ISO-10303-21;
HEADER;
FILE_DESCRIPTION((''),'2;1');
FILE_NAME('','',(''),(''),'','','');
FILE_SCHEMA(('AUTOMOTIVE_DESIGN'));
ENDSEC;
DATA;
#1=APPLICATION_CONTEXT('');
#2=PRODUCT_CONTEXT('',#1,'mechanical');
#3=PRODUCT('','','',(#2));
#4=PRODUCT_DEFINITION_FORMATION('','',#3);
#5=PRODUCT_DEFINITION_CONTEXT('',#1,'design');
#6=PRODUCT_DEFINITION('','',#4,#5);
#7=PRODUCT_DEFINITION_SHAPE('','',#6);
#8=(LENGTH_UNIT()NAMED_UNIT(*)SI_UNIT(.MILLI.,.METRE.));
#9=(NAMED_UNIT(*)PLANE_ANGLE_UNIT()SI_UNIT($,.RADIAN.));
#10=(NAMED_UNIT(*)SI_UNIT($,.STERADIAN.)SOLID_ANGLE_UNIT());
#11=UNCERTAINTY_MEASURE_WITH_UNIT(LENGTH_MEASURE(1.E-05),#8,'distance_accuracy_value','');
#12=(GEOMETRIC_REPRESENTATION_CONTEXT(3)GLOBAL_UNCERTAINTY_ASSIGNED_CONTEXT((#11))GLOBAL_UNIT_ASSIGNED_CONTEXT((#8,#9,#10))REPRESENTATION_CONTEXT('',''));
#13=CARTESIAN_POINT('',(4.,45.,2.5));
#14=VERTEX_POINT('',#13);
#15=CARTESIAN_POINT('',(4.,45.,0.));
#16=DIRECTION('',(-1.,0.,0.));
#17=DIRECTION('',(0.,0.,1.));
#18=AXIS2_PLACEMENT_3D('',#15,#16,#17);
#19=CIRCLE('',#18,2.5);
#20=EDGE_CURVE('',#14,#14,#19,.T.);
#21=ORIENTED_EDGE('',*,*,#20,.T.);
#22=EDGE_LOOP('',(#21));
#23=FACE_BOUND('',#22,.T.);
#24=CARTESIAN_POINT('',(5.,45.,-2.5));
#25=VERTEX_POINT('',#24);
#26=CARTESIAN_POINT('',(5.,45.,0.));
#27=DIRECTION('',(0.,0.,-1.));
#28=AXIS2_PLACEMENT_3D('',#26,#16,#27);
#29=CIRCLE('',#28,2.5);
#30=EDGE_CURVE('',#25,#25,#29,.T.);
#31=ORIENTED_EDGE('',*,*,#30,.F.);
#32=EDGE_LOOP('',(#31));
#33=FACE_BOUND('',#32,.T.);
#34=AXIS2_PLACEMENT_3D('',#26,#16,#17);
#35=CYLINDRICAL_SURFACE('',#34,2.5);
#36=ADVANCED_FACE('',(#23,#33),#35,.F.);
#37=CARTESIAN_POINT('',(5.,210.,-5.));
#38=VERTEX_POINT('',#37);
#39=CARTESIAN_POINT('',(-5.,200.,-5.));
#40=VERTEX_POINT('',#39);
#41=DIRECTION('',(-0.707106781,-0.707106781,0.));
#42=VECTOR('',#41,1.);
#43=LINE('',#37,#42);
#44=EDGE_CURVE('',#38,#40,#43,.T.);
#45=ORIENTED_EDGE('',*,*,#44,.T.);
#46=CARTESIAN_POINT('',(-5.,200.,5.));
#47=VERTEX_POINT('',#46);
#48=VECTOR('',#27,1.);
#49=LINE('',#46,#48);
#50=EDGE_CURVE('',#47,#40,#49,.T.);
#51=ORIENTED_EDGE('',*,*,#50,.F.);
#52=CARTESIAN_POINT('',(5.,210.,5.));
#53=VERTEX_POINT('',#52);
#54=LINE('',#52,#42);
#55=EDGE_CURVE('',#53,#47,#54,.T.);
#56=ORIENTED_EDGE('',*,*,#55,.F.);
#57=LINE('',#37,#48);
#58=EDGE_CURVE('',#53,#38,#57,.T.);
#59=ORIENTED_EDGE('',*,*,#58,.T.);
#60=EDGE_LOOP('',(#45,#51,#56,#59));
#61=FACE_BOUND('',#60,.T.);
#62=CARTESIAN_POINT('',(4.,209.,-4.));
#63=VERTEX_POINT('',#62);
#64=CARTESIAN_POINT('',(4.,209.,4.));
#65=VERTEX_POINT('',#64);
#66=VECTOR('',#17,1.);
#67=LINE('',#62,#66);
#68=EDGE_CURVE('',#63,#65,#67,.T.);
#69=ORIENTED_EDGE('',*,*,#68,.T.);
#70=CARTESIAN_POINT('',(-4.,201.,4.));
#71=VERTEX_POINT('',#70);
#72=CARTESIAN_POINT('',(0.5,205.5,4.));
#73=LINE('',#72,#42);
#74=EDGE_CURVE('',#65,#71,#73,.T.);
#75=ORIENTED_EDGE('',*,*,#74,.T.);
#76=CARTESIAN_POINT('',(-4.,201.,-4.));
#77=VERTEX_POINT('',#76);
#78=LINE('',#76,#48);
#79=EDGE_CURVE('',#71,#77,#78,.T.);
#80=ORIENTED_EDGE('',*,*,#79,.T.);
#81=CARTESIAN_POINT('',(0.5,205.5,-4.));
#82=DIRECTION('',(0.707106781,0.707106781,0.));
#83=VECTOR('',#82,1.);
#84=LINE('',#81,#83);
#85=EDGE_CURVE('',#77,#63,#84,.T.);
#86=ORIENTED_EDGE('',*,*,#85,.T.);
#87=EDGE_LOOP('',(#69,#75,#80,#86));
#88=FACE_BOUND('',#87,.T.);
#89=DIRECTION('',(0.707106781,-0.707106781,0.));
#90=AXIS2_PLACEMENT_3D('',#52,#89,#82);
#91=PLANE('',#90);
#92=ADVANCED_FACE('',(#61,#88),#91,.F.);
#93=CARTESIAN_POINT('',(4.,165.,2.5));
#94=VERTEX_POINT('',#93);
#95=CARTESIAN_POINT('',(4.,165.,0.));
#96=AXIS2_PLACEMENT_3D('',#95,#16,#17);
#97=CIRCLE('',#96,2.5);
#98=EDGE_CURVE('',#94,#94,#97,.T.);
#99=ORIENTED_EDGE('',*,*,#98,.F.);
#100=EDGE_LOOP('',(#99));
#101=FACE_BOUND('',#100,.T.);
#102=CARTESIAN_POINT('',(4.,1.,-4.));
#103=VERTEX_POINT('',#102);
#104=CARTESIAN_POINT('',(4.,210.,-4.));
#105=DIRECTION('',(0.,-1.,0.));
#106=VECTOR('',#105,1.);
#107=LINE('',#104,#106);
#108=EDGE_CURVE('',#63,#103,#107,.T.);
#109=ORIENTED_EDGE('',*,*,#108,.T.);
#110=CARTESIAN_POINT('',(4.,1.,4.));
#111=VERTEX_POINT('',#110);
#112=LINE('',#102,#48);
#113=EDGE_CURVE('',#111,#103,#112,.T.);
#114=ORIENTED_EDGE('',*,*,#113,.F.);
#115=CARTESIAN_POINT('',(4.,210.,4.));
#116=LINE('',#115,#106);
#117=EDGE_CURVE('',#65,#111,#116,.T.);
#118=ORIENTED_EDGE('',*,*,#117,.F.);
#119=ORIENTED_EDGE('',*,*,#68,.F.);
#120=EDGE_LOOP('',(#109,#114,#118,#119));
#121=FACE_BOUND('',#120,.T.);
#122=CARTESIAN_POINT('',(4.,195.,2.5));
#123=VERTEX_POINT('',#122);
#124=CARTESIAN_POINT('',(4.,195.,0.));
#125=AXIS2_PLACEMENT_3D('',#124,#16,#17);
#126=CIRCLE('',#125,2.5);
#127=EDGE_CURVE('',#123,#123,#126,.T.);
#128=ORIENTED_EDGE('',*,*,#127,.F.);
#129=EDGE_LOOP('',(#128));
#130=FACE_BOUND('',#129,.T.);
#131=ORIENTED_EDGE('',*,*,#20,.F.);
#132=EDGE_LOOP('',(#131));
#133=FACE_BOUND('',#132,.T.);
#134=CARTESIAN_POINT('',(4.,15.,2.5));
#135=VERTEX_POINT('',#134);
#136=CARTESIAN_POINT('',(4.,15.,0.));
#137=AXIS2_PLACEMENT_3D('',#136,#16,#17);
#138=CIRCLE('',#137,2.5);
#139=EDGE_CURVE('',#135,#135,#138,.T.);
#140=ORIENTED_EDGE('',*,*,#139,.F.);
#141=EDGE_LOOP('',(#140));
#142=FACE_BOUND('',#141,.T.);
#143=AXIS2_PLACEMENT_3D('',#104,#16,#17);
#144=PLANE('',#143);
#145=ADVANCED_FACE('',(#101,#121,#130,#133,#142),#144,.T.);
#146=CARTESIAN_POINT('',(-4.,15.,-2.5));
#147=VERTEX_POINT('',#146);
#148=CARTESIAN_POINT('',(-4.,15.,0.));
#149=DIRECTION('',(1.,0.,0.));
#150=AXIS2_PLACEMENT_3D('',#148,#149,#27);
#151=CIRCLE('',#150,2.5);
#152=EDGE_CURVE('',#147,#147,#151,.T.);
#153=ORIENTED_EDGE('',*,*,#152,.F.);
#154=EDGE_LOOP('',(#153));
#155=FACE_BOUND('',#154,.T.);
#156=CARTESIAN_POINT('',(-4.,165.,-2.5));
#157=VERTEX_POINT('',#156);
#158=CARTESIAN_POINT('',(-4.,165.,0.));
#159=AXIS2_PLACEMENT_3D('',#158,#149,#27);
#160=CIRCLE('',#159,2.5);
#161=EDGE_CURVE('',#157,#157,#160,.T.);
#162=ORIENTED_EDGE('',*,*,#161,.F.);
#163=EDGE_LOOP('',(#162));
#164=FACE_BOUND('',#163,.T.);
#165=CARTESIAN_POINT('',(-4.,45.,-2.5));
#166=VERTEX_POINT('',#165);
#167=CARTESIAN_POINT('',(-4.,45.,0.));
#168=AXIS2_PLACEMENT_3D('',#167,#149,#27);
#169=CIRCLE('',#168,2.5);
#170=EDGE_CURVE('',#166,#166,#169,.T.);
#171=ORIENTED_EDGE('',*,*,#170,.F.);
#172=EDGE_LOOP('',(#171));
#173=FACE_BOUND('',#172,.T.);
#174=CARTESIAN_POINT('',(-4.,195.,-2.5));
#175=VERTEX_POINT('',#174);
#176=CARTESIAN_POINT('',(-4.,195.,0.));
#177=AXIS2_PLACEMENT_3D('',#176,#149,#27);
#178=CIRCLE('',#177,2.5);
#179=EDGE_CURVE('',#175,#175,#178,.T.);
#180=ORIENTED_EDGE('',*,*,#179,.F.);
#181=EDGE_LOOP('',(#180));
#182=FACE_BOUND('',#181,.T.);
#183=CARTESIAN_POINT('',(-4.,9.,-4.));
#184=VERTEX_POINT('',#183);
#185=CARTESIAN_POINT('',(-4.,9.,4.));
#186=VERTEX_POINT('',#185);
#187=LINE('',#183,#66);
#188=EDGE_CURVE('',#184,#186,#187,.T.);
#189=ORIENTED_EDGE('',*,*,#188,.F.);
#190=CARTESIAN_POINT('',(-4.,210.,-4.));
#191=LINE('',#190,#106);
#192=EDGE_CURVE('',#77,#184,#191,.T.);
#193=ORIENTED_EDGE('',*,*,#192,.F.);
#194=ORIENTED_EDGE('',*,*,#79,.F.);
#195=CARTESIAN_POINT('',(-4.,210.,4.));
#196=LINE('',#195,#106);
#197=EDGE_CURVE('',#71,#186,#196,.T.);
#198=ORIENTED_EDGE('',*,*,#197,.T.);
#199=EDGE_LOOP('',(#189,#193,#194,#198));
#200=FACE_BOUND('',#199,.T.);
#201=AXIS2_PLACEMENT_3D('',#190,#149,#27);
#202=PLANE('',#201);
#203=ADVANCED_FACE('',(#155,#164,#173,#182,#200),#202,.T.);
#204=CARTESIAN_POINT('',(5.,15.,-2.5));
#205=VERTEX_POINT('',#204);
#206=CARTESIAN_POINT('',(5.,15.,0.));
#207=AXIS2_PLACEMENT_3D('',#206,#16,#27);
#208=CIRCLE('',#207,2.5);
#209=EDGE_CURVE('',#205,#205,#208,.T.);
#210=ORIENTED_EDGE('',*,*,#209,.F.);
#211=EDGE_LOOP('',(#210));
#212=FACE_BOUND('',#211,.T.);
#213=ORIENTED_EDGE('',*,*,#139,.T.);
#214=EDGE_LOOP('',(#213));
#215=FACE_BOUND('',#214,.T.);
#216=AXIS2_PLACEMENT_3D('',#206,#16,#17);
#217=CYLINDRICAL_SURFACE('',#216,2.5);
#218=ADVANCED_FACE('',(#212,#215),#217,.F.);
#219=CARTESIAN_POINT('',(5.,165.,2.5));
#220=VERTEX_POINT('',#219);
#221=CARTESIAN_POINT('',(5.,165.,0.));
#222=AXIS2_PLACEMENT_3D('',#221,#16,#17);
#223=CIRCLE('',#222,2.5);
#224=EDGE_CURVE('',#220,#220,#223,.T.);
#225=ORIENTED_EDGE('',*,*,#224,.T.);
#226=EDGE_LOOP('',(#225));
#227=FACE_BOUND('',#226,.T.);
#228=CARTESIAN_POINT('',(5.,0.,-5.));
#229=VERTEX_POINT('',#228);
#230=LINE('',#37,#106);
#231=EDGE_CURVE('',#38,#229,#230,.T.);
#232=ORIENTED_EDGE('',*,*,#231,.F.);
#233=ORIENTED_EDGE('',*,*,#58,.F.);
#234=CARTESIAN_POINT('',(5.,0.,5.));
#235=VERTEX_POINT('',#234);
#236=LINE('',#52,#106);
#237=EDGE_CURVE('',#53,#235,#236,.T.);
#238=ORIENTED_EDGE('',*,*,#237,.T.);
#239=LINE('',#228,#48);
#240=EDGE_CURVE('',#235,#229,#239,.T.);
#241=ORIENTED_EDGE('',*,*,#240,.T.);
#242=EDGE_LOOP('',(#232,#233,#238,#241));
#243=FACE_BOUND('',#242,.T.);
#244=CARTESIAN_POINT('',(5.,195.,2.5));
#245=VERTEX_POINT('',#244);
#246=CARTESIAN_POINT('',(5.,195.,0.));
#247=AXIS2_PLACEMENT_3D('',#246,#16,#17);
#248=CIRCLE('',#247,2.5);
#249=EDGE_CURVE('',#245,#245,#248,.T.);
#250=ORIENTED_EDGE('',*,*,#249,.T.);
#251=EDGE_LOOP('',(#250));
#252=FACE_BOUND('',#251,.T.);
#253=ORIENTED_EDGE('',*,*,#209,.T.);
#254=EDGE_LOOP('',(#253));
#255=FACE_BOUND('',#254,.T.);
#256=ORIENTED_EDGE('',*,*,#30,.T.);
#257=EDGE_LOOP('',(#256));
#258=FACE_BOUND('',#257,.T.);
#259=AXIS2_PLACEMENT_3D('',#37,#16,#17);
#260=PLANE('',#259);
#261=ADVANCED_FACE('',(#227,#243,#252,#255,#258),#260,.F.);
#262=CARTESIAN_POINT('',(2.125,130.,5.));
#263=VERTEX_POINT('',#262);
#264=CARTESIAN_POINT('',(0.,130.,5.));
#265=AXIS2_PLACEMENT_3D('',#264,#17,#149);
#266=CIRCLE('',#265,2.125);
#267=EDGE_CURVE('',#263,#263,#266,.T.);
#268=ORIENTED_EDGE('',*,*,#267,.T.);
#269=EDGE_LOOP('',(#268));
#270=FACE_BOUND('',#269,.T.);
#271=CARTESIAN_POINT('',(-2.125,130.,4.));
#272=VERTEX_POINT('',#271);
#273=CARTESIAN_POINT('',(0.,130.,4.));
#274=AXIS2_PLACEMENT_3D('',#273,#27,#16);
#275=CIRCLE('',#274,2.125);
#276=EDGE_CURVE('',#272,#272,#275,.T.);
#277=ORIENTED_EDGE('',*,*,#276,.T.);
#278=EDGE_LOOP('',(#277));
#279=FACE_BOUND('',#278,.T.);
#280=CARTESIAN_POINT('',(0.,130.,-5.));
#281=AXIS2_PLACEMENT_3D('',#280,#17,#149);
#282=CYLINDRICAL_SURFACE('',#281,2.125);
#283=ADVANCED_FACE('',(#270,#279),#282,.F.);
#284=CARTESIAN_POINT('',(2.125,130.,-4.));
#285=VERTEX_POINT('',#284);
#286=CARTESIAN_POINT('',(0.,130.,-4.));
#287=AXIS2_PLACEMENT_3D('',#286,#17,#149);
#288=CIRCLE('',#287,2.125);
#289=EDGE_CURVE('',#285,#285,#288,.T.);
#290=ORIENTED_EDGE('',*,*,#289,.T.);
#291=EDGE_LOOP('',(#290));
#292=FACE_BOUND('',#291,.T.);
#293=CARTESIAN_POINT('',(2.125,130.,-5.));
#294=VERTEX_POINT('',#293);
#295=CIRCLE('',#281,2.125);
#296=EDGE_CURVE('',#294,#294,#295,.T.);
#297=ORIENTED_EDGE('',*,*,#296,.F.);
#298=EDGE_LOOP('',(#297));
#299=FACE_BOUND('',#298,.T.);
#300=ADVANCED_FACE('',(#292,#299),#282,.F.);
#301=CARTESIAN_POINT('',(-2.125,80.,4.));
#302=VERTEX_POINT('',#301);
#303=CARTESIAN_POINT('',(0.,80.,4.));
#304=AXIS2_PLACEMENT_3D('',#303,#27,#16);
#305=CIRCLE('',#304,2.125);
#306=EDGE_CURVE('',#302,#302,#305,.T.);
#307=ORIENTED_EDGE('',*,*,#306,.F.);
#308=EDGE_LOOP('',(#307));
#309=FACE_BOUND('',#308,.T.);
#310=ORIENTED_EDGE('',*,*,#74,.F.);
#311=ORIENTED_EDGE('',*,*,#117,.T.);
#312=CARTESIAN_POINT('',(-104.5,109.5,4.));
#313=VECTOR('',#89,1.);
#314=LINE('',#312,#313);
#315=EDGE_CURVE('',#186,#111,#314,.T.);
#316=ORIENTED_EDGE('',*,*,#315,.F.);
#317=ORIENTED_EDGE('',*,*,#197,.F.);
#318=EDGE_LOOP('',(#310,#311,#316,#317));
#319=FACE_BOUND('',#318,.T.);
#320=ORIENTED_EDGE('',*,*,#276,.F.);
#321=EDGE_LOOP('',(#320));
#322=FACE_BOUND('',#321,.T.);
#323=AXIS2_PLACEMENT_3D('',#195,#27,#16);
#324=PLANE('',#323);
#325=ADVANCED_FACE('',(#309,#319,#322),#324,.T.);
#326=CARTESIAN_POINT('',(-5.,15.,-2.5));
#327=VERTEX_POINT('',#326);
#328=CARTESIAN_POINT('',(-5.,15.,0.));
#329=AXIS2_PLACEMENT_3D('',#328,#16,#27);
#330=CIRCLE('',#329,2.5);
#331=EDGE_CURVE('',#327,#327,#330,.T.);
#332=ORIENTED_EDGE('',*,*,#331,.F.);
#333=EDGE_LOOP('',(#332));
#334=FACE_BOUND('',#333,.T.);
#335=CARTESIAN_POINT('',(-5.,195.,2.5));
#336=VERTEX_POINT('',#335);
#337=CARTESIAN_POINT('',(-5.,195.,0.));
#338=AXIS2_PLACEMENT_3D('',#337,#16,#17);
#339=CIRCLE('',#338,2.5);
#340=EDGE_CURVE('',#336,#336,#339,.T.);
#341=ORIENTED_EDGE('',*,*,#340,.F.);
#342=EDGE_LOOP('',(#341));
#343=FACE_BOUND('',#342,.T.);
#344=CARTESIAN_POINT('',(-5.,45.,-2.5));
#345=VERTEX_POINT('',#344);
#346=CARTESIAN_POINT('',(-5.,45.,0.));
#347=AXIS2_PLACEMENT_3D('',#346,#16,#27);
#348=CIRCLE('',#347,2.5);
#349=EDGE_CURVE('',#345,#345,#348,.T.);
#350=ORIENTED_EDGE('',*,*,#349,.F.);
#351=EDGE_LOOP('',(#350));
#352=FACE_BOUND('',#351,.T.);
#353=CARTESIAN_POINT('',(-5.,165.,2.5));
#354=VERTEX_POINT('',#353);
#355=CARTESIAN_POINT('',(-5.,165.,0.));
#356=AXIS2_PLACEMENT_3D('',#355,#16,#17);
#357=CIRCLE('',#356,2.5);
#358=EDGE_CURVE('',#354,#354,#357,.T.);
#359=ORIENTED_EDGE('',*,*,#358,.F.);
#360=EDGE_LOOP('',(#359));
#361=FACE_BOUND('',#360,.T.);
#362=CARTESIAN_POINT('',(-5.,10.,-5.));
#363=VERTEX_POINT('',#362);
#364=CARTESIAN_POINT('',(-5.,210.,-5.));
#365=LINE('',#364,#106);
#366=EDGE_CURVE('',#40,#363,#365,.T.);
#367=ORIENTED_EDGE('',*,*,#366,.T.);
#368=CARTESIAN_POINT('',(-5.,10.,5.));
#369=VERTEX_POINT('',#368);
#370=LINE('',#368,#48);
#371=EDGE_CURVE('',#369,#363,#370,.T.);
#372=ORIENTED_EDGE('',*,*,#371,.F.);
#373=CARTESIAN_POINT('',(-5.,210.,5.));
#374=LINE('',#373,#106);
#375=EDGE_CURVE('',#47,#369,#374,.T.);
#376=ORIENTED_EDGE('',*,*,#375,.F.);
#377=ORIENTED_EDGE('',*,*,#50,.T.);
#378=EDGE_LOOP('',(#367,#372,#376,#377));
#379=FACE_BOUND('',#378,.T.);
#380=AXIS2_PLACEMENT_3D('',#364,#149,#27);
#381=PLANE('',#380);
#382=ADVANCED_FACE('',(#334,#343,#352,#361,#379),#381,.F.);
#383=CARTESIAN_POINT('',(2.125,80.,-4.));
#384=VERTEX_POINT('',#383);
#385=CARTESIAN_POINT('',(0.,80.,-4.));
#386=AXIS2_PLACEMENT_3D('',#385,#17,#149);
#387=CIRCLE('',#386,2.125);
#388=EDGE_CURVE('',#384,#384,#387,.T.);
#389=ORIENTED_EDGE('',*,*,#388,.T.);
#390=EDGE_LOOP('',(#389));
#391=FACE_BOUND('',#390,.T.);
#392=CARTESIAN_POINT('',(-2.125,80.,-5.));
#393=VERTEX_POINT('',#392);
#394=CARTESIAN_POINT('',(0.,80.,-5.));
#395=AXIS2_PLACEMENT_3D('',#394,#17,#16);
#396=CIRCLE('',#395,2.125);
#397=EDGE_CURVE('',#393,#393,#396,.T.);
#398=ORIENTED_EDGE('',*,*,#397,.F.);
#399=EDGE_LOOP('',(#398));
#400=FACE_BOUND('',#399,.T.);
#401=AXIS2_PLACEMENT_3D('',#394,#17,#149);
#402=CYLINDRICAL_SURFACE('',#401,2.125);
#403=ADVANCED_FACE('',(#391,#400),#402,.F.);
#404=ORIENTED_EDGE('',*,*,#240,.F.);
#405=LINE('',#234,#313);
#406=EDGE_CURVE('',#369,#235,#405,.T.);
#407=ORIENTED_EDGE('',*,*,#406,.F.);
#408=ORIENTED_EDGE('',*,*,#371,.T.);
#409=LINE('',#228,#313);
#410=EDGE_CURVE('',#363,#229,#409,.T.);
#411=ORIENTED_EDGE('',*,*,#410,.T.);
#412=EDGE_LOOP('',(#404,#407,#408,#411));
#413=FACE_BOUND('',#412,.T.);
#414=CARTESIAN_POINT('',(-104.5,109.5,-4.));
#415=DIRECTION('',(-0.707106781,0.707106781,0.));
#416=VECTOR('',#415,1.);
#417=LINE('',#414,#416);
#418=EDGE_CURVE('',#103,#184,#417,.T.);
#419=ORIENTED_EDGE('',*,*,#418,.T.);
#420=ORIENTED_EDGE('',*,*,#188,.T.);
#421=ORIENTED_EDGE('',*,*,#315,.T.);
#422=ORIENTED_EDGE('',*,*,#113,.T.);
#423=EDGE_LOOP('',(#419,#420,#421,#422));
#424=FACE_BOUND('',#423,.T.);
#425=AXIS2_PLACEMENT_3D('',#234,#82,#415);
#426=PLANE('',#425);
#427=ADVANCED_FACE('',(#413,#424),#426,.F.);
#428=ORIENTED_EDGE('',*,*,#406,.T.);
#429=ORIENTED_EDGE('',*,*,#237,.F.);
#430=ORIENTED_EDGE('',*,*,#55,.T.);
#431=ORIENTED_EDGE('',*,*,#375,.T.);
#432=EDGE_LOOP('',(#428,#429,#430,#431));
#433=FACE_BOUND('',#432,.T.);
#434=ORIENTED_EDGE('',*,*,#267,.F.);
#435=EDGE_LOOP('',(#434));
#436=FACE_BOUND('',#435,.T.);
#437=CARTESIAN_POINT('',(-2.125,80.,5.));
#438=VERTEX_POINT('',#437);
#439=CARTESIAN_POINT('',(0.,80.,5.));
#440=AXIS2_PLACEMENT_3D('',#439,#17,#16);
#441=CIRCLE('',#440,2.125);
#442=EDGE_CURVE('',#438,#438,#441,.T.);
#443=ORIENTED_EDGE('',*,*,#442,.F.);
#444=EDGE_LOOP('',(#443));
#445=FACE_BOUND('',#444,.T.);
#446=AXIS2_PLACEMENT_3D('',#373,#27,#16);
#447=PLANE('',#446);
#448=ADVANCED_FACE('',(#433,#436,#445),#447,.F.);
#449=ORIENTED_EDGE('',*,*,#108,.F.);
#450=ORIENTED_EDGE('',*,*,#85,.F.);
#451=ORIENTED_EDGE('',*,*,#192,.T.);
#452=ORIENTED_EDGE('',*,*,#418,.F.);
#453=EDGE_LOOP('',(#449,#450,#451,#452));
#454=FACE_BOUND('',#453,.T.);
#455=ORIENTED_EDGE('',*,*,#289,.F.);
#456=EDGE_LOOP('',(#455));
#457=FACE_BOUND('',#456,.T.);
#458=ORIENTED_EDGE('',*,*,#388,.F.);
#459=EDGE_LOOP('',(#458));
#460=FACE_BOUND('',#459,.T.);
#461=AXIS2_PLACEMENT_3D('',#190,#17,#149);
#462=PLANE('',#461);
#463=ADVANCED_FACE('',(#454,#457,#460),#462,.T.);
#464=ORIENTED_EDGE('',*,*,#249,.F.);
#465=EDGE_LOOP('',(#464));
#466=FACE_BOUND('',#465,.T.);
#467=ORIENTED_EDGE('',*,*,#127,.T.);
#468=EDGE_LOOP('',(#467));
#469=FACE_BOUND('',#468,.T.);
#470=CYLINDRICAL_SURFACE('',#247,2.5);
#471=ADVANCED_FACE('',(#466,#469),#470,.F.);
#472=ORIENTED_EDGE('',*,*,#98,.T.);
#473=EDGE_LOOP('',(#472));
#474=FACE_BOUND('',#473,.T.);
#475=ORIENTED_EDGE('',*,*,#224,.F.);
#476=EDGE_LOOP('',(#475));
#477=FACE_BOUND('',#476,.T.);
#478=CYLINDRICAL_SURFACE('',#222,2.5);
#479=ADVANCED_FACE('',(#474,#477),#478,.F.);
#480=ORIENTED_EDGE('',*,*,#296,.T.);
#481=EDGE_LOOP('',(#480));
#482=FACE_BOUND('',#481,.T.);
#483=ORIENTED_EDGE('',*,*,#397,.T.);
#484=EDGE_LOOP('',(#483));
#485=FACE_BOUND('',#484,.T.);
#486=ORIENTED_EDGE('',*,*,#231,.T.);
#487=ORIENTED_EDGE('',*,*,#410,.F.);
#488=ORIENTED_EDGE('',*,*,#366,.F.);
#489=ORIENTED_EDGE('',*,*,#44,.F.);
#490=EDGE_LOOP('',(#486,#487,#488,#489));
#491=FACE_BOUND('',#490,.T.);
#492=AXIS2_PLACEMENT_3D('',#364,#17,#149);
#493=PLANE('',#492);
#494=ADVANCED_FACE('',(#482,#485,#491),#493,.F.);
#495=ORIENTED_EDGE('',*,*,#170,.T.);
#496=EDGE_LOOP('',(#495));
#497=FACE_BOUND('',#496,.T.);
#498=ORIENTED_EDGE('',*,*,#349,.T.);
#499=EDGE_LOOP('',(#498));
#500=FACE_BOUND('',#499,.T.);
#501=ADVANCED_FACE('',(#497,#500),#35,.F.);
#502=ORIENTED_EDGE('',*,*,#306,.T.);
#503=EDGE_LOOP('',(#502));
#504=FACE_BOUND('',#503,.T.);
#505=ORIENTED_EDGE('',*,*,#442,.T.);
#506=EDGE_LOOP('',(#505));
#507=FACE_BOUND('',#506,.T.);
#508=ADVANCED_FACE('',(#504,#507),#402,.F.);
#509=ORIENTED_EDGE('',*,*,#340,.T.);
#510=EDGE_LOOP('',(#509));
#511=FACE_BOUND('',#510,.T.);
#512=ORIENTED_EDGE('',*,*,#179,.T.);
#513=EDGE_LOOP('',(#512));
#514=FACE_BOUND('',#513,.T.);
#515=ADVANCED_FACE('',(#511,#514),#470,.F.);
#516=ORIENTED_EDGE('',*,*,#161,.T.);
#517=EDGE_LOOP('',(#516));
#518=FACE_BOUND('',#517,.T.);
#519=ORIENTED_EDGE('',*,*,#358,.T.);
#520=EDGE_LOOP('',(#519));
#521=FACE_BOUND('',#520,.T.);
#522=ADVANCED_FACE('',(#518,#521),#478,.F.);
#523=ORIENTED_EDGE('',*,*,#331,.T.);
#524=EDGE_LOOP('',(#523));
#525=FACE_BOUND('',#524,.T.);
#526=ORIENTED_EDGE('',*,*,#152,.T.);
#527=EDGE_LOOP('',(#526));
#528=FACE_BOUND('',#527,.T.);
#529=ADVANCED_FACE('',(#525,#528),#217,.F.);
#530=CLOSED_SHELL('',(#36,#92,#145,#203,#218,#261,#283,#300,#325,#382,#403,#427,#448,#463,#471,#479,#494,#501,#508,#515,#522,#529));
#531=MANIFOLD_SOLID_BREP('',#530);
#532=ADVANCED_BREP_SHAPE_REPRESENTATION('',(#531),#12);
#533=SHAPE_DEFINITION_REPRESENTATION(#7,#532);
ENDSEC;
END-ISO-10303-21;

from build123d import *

# Parameters (mm, degrees)
SKETCH_1_W          = 10
SKETCH_1_H          = 10
SKETCH_1_W_2        = 8
SKETCH_1_H_2        = 8
EXTRUDE_1_DEPTH     = 210
CUT_EXTRUDE_3_DEPTH = 10
SKETCH_5_R          = 2.5
CUT_EXTRUDE_4_DEPTH = 10
SKETCH_11_R         = 2.125
CUT_EXTRUDE_6_DEPTH = 10


with BuildPart() as part:
    # 草图1 → 凸台-拉伸1 (new body)
    with BuildSketch(Plane(origin=(0, 0, 0), x_dir=(1, 0, 0), z_dir=(0, 1, 0))):
        Rectangle(SKETCH_1_W, SKETCH_1_H)
        Rectangle(SKETCH_1_W_2, SKETCH_1_H_2, mode=Mode.SUBTRACT)
    extrude(amount=EXTRUDE_1_DEPTH)

    # 草图4 → 切除-拉伸3 (cut)
    with BuildSketch(Plane(origin=(0, 0, -5), x_dir=(-1, 0, 0), z_dir=(0, 0, -1))):
        Polygon((-5, 210), (5, 200), (5, 210), align=None)
        Polygon((5, 0), (-5, 0), (5, 10), align=None)
    extrude(amount=-CUT_EXTRUDE_3_DEPTH, mode=Mode.SUBTRACT)

    # 草图5 → 切除-拉伸4 (cut)
    with BuildSketch(Plane.ZY.offset(5)):
        with Locations((0, 165)):
            Circle(SKETCH_5_R)
        with Locations(Location((0, 45, 0), (0, 0, 180))):
            Circle(SKETCH_5_R)
        with Locations((0, 195)):
            Circle(SKETCH_5_R)
        with Locations(Location((0, 15, 0), (0, 0, 180))):
            Circle(SKETCH_5_R)
    extrude(amount=-CUT_EXTRUDE_4_DEPTH, mode=Mode.SUBTRACT)

    # 草图11 → 切除-拉伸6 (cut)
    with BuildSketch(Plane.XY.offset(5)):
        with Locations((0, 130)):
            Circle(SKETCH_11_R)
        with Locations(Location((0, 80, 0), (0, 0, 180))):
            Circle(SKETCH_11_R)
    extrude(amount=-CUT_EXTRUDE_6_DEPTH, mode=Mode.SUBTRACT)


solid = part.part
